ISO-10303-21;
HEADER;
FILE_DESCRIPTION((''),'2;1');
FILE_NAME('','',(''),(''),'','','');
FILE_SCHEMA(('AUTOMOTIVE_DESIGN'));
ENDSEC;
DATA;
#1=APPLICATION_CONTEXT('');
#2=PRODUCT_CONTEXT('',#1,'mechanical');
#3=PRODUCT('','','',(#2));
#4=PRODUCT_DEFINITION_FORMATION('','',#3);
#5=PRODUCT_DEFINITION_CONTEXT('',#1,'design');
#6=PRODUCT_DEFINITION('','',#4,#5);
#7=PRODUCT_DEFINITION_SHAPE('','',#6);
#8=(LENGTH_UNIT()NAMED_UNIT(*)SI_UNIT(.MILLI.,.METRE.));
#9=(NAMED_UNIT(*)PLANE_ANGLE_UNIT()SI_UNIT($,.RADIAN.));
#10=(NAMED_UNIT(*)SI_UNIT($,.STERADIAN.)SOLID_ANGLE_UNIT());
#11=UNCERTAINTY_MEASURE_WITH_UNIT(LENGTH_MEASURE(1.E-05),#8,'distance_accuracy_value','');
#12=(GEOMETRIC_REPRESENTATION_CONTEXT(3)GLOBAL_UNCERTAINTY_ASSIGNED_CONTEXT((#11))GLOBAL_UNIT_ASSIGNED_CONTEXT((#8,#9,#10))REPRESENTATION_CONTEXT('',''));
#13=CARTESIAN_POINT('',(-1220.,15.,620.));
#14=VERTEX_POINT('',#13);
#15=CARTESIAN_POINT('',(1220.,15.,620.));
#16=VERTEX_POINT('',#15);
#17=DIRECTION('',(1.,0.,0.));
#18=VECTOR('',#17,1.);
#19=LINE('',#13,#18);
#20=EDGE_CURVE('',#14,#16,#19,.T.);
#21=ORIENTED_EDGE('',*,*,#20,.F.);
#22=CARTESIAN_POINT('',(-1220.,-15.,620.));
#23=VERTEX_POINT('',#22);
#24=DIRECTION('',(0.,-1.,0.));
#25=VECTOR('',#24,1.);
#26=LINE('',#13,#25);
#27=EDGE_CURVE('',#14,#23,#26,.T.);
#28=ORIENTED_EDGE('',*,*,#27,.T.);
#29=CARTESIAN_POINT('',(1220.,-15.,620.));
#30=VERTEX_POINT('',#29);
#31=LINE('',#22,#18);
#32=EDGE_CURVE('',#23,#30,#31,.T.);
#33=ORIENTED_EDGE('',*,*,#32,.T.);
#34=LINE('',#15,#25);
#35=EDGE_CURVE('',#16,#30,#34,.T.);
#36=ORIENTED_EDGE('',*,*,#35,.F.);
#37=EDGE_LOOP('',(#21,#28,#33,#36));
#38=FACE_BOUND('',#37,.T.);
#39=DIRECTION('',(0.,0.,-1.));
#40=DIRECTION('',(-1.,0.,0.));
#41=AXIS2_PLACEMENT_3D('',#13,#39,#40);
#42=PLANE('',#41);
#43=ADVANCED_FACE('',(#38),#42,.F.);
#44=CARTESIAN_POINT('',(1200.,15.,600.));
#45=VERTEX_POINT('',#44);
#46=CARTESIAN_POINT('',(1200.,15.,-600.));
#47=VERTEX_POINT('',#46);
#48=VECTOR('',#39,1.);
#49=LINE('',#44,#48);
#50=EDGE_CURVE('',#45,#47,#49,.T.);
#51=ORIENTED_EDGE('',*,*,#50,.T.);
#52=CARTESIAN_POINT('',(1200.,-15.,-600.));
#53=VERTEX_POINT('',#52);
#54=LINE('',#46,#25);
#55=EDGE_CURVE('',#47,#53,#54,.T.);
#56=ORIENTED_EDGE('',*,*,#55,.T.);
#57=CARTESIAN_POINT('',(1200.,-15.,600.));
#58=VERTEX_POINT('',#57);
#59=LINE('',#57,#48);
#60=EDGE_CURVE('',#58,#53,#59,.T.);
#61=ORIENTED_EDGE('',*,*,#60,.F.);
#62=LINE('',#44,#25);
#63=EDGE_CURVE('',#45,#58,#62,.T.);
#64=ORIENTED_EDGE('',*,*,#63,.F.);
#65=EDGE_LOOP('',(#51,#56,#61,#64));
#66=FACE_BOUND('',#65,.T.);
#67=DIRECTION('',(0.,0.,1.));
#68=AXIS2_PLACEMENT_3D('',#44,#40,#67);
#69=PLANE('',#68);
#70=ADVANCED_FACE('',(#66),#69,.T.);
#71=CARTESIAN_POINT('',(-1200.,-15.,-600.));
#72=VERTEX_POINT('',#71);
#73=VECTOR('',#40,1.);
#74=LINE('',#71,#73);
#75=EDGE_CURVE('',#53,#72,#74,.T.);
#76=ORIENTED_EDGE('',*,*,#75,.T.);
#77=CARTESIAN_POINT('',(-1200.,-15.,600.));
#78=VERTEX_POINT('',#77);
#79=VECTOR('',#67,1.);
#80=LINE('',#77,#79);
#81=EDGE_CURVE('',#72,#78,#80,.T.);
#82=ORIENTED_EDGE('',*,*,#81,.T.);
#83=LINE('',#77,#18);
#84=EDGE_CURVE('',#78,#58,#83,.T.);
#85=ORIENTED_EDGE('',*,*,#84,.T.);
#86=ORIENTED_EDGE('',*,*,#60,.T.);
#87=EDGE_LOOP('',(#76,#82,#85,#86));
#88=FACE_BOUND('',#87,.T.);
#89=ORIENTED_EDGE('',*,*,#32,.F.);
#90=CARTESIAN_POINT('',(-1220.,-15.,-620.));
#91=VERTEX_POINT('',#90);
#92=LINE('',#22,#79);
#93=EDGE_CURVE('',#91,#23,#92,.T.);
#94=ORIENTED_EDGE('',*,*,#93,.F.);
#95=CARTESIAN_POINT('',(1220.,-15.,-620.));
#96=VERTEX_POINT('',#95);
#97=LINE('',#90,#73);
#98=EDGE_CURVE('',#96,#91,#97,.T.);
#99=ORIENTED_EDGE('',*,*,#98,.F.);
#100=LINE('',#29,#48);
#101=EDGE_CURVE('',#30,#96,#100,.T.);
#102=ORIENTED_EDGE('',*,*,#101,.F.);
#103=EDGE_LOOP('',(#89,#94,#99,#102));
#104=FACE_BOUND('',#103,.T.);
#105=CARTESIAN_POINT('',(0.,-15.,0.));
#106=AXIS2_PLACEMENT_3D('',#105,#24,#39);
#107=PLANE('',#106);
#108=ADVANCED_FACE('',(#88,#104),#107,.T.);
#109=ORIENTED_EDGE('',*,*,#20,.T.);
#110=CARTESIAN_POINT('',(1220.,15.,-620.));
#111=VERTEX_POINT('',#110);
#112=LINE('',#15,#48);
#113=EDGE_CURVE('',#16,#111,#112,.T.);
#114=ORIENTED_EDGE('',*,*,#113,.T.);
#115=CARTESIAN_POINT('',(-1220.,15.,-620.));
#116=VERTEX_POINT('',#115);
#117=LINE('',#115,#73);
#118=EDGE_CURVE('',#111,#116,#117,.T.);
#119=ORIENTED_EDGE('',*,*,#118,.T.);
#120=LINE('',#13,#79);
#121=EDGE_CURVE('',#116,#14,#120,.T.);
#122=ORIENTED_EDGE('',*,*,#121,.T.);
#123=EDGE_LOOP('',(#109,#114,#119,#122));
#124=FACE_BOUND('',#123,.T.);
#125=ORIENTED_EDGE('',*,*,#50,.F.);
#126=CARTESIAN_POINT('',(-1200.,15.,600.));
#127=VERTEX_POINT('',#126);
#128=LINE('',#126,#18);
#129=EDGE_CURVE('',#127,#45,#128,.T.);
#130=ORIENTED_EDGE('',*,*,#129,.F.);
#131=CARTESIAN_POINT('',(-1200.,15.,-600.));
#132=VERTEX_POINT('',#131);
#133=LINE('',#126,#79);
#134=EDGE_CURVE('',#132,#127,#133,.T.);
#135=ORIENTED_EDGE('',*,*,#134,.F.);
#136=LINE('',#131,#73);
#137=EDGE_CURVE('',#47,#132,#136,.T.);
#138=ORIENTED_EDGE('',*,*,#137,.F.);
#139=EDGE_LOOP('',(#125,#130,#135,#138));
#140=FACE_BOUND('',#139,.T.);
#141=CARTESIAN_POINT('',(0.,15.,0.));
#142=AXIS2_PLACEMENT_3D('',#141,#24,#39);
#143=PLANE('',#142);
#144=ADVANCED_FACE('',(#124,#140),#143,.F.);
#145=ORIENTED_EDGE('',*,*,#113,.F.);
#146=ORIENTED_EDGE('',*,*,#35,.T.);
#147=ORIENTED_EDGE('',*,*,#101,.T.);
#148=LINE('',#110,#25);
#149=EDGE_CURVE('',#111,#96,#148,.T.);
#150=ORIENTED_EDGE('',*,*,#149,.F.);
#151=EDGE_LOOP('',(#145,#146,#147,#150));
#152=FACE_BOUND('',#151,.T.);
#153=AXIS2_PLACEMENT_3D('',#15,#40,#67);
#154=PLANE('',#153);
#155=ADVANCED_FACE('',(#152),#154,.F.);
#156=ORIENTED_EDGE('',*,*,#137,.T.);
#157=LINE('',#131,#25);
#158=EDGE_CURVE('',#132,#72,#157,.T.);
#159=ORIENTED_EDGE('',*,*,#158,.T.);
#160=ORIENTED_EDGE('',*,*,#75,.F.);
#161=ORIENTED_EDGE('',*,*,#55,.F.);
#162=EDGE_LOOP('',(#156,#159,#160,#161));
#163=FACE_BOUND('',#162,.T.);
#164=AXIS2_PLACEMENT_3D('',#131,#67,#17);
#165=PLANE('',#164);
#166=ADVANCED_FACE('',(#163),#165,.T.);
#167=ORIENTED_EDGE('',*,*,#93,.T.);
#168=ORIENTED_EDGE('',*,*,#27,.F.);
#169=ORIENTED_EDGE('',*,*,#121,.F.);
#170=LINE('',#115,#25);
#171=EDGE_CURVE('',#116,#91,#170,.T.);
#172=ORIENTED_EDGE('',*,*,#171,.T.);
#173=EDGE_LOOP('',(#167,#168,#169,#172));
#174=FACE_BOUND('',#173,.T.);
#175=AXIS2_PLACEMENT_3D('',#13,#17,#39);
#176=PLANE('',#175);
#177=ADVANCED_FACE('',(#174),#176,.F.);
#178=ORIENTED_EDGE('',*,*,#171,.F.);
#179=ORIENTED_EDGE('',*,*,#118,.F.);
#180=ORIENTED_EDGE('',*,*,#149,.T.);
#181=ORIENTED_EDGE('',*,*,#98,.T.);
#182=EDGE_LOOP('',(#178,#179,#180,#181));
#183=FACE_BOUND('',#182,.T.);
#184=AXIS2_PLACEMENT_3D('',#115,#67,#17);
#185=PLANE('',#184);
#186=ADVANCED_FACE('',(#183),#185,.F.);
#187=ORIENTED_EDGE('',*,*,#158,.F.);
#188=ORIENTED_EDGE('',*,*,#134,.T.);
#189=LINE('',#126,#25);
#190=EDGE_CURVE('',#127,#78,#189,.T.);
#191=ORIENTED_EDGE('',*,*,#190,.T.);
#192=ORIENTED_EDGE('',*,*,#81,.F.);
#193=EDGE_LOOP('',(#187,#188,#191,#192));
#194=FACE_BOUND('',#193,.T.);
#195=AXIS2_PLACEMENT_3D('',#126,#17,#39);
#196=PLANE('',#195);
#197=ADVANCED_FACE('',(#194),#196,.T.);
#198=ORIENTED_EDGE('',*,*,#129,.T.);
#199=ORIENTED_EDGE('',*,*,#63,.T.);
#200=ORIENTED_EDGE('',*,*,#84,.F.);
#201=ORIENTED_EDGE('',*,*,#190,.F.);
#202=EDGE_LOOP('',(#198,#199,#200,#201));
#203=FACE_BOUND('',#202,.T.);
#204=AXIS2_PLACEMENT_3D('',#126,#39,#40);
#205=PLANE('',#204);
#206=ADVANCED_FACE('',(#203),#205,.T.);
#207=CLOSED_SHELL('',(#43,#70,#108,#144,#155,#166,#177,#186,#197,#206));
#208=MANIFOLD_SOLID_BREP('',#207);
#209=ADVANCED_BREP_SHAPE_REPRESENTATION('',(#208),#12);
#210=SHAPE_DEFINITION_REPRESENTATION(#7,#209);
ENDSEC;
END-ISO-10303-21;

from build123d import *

# Parameters (mm, degrees)
SKETCH1_W           = 2440
SKETCH1_H           = 1240
SKETCH1_W_2         = 2400
SKETCH1_H_2         = 1200
BOSS_EXTRUDE1_DEPTH = 15


with BuildPart() as part:
    # Sketch1 → Boss-Extrude1 (new, symmetric)
    with BuildSketch(Plane(origin=(0, 0, 0), x_dir=(1, 0, 0), z_dir=(0, 1, 0))):
        Rectangle(SKETCH1_W, SKETCH1_H)
        Rectangle(SKETCH1_W_2, SKETCH1_H_2, mode=Mode.SUBTRACT)
    extrude(amount=BOSS_EXTRUDE1_DEPTH, both=True)


solid = part.part
